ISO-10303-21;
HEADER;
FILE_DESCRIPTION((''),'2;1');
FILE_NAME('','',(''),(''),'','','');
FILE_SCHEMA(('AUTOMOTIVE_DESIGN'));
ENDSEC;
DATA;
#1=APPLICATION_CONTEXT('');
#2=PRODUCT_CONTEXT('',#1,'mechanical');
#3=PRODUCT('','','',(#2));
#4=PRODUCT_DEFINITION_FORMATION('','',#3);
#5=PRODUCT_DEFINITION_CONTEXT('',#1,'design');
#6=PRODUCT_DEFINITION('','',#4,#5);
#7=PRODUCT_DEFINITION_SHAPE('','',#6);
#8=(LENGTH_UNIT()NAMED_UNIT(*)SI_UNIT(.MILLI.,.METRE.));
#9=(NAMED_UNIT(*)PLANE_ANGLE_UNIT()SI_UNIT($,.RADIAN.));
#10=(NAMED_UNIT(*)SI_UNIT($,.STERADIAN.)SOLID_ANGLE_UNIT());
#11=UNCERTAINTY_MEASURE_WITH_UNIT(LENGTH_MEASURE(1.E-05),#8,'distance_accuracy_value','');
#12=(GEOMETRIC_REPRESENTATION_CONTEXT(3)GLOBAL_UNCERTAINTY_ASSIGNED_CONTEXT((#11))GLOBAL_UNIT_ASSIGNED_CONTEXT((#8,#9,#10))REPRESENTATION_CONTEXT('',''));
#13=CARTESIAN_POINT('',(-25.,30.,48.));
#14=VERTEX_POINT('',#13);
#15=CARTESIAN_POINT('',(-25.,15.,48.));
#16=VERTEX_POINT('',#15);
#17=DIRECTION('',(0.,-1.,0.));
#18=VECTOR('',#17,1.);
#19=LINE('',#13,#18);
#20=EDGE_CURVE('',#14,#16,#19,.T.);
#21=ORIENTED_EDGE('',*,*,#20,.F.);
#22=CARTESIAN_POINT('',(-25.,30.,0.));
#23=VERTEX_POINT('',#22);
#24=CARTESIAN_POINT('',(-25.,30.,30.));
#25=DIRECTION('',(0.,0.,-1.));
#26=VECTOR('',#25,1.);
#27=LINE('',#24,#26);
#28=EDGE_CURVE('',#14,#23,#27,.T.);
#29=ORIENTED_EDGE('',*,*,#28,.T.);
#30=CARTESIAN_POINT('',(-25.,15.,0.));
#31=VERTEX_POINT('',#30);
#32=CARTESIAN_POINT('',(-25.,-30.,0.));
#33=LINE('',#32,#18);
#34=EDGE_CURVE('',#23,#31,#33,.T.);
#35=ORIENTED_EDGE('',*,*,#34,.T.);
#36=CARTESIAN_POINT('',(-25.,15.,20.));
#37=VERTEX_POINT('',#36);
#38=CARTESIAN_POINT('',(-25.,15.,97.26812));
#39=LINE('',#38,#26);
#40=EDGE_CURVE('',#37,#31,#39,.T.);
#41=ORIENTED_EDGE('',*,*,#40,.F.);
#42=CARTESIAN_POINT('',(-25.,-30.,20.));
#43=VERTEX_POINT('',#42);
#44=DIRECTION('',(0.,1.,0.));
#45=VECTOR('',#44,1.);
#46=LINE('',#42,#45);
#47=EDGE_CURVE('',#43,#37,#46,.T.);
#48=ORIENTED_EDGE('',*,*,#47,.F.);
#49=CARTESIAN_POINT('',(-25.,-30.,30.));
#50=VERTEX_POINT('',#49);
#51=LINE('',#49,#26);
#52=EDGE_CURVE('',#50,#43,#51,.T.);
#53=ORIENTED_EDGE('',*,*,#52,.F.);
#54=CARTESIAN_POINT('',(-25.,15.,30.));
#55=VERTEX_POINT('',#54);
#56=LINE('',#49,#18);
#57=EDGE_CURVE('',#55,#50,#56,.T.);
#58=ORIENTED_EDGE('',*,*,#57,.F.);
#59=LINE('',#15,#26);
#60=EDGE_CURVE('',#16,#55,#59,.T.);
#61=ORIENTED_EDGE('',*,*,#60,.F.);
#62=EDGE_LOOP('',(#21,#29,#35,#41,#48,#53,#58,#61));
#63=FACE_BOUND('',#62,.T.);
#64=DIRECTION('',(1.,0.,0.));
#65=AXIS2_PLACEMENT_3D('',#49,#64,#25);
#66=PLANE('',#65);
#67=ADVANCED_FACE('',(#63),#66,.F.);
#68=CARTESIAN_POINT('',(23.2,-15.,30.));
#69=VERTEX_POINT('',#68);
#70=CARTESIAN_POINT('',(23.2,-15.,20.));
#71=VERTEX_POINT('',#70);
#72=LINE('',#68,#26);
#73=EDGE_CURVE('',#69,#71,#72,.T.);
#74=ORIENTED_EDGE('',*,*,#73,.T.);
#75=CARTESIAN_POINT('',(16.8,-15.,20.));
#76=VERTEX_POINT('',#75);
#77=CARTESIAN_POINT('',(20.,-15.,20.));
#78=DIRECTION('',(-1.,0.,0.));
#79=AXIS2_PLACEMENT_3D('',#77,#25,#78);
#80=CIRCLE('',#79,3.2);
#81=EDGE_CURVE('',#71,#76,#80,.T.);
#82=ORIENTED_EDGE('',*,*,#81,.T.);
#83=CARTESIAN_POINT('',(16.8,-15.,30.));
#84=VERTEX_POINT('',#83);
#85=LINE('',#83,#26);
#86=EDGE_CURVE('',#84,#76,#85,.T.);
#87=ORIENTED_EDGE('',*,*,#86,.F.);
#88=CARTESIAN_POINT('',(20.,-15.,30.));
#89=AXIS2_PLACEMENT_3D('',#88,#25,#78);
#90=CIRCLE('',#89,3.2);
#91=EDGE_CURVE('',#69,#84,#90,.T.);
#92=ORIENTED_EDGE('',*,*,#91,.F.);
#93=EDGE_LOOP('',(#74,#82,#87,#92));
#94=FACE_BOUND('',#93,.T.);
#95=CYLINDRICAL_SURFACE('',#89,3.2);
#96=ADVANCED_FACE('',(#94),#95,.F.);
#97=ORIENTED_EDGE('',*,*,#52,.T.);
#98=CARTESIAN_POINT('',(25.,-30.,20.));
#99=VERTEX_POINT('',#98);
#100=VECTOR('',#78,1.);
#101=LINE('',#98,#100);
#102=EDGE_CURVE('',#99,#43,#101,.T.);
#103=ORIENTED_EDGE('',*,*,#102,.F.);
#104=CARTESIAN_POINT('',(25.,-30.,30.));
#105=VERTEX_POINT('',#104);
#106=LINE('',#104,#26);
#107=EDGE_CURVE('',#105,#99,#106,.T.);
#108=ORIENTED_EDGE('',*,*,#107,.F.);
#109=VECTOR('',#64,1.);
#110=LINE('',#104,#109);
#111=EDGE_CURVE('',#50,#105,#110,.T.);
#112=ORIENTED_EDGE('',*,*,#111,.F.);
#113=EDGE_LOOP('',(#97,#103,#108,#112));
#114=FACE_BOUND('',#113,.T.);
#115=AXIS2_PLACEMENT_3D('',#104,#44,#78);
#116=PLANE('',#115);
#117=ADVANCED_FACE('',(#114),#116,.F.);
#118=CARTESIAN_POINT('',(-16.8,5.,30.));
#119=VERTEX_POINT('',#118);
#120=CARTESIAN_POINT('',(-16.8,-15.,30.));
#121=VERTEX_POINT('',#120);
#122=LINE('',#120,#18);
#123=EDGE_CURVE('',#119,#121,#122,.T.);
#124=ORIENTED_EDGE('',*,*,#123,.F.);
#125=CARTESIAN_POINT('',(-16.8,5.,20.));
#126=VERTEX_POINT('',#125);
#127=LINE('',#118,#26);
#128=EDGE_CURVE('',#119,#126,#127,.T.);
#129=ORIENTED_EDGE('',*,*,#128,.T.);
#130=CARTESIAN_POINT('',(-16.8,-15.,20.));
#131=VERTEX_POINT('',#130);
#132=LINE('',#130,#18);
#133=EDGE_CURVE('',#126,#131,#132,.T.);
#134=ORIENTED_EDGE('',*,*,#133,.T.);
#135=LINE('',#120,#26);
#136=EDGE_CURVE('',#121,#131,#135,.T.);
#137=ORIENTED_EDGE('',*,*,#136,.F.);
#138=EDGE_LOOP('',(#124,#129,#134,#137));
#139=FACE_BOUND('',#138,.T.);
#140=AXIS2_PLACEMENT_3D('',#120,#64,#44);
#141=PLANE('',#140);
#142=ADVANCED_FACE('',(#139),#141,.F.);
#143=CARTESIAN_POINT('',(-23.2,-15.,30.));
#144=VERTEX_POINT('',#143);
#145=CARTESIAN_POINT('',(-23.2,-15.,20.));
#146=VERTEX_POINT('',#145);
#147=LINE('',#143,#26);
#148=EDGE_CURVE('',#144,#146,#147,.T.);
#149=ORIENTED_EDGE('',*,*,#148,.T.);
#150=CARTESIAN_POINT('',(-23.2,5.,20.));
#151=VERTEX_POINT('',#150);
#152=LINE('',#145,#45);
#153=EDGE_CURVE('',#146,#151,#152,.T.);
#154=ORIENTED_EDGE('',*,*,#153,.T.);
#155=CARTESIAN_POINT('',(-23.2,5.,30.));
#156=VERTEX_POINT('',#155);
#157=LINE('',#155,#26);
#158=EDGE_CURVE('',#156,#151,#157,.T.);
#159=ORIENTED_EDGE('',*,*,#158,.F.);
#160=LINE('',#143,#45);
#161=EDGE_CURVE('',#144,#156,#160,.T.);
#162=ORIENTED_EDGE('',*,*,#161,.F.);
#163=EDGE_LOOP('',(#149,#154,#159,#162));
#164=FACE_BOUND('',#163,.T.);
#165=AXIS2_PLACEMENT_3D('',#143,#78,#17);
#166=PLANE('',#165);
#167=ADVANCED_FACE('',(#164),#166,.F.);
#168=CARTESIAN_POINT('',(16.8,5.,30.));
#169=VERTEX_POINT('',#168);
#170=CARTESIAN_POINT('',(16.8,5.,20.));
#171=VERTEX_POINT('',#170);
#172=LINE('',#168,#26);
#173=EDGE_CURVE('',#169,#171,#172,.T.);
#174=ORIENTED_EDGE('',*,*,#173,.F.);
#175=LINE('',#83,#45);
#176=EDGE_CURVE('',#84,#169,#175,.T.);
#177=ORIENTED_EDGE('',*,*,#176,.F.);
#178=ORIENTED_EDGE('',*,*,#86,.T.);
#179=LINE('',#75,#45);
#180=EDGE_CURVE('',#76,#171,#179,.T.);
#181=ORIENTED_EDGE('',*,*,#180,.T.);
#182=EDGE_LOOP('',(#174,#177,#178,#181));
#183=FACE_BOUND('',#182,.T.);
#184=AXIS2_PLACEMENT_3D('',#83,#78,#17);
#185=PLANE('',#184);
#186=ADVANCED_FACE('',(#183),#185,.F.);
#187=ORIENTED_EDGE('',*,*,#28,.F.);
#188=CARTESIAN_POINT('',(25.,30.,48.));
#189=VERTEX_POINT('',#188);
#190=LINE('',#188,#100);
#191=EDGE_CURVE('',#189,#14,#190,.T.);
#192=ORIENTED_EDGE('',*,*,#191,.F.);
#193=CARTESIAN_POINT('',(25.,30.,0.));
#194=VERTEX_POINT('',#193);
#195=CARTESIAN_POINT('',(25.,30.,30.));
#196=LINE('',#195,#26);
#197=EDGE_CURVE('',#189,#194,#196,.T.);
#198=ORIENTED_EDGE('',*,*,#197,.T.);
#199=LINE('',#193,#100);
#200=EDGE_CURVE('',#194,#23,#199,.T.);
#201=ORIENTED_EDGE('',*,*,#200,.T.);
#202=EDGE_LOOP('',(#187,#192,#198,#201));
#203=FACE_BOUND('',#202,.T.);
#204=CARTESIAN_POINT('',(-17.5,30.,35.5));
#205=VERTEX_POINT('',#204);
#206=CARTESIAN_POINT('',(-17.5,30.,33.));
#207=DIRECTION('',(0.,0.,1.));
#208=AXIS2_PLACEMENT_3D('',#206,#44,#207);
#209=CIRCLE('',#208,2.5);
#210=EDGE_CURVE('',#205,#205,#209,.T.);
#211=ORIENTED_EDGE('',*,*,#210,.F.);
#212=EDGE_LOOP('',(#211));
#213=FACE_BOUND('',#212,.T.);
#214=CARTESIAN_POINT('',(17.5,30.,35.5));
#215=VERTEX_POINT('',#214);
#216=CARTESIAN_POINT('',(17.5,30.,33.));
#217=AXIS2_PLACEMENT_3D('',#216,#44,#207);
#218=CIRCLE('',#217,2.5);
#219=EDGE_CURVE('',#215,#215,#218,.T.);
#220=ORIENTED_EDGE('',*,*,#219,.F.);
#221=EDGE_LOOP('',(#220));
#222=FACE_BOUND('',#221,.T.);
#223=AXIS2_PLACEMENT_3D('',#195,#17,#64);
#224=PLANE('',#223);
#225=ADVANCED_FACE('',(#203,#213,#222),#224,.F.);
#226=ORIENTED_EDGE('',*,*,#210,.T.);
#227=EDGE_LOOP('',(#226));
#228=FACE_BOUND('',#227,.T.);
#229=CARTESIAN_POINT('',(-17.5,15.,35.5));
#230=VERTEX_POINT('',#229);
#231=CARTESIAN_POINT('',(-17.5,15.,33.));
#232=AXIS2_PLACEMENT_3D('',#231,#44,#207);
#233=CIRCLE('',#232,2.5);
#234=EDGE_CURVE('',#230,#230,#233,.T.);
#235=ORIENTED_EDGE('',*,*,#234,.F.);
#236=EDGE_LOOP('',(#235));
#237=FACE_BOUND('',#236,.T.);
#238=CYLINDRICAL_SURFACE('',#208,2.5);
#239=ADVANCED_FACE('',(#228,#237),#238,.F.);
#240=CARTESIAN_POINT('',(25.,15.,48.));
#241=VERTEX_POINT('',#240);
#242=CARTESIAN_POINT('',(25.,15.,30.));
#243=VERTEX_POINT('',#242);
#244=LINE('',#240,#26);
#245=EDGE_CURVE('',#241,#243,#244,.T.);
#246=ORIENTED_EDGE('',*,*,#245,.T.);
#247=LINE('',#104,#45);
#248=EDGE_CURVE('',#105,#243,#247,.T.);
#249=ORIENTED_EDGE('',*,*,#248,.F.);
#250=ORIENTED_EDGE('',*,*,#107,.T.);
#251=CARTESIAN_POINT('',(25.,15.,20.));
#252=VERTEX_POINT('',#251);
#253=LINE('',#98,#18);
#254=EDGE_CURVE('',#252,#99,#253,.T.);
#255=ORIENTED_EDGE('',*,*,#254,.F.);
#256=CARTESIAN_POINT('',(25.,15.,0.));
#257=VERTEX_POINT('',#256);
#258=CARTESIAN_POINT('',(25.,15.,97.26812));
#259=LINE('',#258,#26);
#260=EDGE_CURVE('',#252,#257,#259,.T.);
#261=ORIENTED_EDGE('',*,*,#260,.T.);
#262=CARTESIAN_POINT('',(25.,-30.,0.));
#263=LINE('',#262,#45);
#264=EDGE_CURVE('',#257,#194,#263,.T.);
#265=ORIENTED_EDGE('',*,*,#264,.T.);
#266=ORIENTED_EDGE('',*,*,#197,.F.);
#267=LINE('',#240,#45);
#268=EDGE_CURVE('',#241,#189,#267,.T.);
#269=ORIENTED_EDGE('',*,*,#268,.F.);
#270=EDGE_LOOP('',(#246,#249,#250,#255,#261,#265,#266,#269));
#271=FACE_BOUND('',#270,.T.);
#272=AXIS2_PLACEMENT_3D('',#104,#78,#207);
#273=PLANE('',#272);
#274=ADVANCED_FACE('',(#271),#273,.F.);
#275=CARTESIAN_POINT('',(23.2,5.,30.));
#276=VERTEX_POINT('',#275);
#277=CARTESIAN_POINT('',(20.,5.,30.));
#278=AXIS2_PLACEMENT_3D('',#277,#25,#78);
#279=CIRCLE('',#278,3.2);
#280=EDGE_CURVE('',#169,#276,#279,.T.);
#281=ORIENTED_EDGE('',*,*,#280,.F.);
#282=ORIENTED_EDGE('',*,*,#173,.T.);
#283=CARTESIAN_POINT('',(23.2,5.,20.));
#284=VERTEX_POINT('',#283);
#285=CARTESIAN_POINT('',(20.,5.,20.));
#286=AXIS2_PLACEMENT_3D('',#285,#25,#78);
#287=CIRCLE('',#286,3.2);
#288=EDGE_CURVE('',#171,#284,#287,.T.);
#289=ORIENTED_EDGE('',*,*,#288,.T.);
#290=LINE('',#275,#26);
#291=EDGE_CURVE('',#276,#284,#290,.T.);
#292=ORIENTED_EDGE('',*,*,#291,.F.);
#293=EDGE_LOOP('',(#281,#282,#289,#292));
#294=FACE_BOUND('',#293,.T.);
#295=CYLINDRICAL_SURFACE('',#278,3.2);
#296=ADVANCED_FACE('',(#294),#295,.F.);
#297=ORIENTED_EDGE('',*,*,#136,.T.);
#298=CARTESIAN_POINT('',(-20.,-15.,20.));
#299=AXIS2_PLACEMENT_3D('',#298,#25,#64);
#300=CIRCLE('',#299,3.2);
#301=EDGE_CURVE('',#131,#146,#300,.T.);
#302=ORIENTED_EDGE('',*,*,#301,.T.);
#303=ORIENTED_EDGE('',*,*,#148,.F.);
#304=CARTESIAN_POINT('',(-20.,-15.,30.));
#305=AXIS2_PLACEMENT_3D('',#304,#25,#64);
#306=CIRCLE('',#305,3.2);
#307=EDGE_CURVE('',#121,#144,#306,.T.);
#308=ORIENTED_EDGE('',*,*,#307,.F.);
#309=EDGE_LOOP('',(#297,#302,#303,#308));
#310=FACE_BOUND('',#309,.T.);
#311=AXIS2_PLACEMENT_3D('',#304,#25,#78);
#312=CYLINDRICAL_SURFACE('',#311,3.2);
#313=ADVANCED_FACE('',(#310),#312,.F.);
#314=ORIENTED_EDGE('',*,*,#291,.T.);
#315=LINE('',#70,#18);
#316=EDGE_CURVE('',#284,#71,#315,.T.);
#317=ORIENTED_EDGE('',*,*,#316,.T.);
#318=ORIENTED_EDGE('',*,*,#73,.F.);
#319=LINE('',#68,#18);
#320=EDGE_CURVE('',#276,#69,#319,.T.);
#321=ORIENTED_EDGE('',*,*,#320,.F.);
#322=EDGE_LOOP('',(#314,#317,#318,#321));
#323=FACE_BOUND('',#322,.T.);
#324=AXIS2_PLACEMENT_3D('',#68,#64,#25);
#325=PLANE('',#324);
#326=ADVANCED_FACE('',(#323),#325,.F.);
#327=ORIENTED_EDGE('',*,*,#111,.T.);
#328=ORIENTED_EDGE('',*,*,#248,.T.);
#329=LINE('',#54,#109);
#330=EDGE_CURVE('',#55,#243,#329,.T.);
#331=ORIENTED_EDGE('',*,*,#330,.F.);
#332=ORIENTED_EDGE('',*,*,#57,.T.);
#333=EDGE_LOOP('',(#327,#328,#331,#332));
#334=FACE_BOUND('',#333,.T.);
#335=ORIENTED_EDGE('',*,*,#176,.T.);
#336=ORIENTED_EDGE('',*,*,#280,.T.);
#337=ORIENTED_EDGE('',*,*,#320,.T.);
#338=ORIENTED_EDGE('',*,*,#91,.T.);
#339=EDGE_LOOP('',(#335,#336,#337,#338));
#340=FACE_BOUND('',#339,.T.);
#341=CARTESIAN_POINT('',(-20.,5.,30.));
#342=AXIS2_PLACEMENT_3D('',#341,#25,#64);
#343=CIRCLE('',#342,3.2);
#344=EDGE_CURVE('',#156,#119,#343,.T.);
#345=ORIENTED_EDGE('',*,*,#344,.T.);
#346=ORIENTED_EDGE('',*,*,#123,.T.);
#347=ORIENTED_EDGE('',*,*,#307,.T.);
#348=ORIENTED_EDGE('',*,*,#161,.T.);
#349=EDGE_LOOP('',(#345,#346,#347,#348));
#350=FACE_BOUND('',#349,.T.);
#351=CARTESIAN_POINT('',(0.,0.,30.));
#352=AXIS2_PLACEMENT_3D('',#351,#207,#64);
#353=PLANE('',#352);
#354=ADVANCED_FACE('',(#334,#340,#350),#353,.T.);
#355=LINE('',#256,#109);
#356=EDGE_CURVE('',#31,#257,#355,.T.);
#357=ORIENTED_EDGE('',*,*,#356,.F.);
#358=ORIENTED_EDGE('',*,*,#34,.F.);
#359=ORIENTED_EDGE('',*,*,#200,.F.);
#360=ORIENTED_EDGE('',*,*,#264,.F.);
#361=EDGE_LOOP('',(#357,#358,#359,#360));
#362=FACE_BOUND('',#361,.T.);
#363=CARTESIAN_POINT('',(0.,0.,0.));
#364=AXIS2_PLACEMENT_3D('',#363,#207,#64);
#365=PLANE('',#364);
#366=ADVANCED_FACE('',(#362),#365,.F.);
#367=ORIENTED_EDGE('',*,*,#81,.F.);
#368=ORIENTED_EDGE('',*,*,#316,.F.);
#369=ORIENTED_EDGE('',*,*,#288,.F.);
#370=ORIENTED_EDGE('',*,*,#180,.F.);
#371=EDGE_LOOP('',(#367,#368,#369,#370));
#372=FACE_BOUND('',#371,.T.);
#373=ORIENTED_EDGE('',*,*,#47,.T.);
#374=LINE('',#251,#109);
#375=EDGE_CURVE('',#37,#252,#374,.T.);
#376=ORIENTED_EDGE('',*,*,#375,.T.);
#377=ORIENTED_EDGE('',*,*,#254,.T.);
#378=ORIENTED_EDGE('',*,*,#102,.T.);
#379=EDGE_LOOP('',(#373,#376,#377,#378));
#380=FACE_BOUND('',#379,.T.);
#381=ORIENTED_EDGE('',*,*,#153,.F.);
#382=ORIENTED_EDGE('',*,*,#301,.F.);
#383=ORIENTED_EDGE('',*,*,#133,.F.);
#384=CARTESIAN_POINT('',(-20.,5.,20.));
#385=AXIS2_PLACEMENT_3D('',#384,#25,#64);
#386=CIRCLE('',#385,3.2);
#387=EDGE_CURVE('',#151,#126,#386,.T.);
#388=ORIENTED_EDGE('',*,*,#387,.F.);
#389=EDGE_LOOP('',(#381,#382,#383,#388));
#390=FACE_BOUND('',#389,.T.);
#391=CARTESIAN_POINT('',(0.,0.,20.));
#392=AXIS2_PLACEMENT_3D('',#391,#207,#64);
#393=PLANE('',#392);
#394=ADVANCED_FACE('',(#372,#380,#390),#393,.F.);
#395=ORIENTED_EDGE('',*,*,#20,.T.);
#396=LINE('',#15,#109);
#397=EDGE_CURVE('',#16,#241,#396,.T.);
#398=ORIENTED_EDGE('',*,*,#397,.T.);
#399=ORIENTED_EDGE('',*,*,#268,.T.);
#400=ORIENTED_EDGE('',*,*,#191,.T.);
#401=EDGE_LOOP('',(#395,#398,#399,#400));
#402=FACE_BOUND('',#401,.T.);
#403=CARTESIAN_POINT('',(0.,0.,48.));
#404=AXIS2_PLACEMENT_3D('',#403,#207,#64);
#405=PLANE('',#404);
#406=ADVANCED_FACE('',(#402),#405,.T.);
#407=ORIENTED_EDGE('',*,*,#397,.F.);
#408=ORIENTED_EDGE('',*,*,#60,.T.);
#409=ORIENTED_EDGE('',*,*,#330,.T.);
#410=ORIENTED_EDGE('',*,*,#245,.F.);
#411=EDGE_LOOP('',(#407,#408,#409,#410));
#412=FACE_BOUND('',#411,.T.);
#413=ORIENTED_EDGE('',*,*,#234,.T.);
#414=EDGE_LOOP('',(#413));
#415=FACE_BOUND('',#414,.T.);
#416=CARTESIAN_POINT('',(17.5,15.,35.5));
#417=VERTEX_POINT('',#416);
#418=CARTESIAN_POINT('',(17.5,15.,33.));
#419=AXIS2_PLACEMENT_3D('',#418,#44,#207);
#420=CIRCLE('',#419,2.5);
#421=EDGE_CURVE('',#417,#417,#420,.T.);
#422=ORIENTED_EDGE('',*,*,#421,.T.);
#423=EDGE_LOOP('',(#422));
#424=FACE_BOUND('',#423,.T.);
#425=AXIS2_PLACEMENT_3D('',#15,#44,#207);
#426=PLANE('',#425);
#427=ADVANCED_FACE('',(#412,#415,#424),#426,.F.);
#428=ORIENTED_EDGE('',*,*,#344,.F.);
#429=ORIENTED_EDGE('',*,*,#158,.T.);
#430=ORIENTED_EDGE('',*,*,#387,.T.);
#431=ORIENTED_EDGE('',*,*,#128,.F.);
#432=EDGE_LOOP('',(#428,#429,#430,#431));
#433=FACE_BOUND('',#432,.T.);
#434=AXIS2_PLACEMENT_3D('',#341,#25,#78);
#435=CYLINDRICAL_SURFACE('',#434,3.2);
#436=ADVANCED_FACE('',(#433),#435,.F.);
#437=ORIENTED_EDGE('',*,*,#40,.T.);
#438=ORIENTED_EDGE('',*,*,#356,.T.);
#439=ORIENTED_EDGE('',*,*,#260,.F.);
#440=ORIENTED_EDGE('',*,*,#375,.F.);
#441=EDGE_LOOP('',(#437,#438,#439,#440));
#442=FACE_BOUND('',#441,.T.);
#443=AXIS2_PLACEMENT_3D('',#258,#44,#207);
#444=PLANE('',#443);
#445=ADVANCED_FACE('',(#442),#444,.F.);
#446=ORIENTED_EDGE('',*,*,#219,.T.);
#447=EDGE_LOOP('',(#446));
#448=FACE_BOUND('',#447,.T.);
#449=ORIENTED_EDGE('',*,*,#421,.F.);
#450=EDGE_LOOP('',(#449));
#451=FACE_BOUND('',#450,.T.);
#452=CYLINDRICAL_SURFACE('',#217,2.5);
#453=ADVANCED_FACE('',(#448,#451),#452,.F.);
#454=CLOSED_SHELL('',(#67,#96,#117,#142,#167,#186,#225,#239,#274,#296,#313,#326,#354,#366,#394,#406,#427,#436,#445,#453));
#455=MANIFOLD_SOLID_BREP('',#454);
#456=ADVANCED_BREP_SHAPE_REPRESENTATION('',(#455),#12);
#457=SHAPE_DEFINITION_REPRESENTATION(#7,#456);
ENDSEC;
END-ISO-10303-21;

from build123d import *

# Parameters (mm, degrees)
SKETCH_1_W             = 50
SKETCH_1_H             = 60
EXTRUDE_1_DEPTH        = 30
SKETCH_2_W             = 50
SKETCH_2_H             = 45
CUT_EXTRUDE_1_DEPTH    = 20
CUT_EXTRUDE_2_DEPTH    = 11
SKETCH_6_W             = 50
SKETCH_6_H             = 15
EXTRUDE_2_DEPTH        = 18
HOLE_WIZARD_M6_1_D     = 5
HOLE_WIZARD_M6_1_DEPTH = 15
HOLE_WIZARD_M6_1_TIP   = 1.502151548


with BuildPart() as part:
    # 草图1 → 凸台-拉伸1 (new body)
    with BuildSketch(Plane.XY):
        Rectangle(SKETCH_1_W, SKETCH_1_H)
    extrude(amount=EXTRUDE_1_DEPTH)

    # 草图2 → 切除-拉伸1 (cut)
    with BuildSketch(Plane(origin=(0, 0, 0), x_dir=(-1, 0, 0), z_dir=(0, 0, -1))):
        with Locations((0, -7.5)):
            Rectangle(SKETCH_2_W, SKETCH_2_H)
    extrude(amount=-CUT_EXTRUDE_1_DEPTH, mode=Mode.SUBTRACT)

    # 草图3 → 切除-拉伸2 (cut, through all)
    with BuildSketch(Plane(origin=(0, 0, 20), x_dir=(-1, 0, 0), z_dir=(0, 0, -1))):
        with BuildLine():
            Line((-23.2, -15), (-23.2, 5))
            ThreePointArc((-23.2, 5), (-20, 8.2), (-16.8, 5))
            Line((-16.8, 5), (-16.8, -15))
            ThreePointArc((-16.8, -15), (-20, -18.2), (-23.2, -15))
        make_face()
        with BuildLine():
            Line((23.2, -15), (23.2, 5))
            ThreePointArc((23.2, 5), (20, 8.2), (16.8, 5))
            Line((16.8, 5), (16.8, -15))
            ThreePointArc((16.8, -15), (20, -18.2), (23.2, -15))
        make_face()
    extrude(amount=-CUT_EXTRUDE_2_DEPTH, mode=Mode.SUBTRACT)

    # 草图6 → 凸台-拉伸2 (add)
    with BuildSketch(Plane.XY.offset(30)):
        with Locations((0, 22.5)):
            Rectangle(SKETCH_6_W, SKETCH_6_H)
    extrude(amount=EXTRUDE_2_DEPTH)

    # M6 螺纹孔1
    with Locations(Plane(origin=(17.5, 30, 33), x_dir=(1, 0, 0), z_dir=(0, 1, 0))):
        with Locations((0, 0), (-35, 0)):
            Hole(HOLE_WIZARD_M6_1_D / 2, depth=HOLE_WIZARD_M6_1_DEPTH)
            with Locations((0, 0, -(HOLE_WIZARD_M6_1_DEPTH + HOLE_WIZARD_M6_1_TIP / 2))):  # 118° drill point
                Cone(0, HOLE_WIZARD_M6_1_D / 2, HOLE_WIZARD_M6_1_TIP, mode=Mode.SUBTRACT)


solid = part.part
